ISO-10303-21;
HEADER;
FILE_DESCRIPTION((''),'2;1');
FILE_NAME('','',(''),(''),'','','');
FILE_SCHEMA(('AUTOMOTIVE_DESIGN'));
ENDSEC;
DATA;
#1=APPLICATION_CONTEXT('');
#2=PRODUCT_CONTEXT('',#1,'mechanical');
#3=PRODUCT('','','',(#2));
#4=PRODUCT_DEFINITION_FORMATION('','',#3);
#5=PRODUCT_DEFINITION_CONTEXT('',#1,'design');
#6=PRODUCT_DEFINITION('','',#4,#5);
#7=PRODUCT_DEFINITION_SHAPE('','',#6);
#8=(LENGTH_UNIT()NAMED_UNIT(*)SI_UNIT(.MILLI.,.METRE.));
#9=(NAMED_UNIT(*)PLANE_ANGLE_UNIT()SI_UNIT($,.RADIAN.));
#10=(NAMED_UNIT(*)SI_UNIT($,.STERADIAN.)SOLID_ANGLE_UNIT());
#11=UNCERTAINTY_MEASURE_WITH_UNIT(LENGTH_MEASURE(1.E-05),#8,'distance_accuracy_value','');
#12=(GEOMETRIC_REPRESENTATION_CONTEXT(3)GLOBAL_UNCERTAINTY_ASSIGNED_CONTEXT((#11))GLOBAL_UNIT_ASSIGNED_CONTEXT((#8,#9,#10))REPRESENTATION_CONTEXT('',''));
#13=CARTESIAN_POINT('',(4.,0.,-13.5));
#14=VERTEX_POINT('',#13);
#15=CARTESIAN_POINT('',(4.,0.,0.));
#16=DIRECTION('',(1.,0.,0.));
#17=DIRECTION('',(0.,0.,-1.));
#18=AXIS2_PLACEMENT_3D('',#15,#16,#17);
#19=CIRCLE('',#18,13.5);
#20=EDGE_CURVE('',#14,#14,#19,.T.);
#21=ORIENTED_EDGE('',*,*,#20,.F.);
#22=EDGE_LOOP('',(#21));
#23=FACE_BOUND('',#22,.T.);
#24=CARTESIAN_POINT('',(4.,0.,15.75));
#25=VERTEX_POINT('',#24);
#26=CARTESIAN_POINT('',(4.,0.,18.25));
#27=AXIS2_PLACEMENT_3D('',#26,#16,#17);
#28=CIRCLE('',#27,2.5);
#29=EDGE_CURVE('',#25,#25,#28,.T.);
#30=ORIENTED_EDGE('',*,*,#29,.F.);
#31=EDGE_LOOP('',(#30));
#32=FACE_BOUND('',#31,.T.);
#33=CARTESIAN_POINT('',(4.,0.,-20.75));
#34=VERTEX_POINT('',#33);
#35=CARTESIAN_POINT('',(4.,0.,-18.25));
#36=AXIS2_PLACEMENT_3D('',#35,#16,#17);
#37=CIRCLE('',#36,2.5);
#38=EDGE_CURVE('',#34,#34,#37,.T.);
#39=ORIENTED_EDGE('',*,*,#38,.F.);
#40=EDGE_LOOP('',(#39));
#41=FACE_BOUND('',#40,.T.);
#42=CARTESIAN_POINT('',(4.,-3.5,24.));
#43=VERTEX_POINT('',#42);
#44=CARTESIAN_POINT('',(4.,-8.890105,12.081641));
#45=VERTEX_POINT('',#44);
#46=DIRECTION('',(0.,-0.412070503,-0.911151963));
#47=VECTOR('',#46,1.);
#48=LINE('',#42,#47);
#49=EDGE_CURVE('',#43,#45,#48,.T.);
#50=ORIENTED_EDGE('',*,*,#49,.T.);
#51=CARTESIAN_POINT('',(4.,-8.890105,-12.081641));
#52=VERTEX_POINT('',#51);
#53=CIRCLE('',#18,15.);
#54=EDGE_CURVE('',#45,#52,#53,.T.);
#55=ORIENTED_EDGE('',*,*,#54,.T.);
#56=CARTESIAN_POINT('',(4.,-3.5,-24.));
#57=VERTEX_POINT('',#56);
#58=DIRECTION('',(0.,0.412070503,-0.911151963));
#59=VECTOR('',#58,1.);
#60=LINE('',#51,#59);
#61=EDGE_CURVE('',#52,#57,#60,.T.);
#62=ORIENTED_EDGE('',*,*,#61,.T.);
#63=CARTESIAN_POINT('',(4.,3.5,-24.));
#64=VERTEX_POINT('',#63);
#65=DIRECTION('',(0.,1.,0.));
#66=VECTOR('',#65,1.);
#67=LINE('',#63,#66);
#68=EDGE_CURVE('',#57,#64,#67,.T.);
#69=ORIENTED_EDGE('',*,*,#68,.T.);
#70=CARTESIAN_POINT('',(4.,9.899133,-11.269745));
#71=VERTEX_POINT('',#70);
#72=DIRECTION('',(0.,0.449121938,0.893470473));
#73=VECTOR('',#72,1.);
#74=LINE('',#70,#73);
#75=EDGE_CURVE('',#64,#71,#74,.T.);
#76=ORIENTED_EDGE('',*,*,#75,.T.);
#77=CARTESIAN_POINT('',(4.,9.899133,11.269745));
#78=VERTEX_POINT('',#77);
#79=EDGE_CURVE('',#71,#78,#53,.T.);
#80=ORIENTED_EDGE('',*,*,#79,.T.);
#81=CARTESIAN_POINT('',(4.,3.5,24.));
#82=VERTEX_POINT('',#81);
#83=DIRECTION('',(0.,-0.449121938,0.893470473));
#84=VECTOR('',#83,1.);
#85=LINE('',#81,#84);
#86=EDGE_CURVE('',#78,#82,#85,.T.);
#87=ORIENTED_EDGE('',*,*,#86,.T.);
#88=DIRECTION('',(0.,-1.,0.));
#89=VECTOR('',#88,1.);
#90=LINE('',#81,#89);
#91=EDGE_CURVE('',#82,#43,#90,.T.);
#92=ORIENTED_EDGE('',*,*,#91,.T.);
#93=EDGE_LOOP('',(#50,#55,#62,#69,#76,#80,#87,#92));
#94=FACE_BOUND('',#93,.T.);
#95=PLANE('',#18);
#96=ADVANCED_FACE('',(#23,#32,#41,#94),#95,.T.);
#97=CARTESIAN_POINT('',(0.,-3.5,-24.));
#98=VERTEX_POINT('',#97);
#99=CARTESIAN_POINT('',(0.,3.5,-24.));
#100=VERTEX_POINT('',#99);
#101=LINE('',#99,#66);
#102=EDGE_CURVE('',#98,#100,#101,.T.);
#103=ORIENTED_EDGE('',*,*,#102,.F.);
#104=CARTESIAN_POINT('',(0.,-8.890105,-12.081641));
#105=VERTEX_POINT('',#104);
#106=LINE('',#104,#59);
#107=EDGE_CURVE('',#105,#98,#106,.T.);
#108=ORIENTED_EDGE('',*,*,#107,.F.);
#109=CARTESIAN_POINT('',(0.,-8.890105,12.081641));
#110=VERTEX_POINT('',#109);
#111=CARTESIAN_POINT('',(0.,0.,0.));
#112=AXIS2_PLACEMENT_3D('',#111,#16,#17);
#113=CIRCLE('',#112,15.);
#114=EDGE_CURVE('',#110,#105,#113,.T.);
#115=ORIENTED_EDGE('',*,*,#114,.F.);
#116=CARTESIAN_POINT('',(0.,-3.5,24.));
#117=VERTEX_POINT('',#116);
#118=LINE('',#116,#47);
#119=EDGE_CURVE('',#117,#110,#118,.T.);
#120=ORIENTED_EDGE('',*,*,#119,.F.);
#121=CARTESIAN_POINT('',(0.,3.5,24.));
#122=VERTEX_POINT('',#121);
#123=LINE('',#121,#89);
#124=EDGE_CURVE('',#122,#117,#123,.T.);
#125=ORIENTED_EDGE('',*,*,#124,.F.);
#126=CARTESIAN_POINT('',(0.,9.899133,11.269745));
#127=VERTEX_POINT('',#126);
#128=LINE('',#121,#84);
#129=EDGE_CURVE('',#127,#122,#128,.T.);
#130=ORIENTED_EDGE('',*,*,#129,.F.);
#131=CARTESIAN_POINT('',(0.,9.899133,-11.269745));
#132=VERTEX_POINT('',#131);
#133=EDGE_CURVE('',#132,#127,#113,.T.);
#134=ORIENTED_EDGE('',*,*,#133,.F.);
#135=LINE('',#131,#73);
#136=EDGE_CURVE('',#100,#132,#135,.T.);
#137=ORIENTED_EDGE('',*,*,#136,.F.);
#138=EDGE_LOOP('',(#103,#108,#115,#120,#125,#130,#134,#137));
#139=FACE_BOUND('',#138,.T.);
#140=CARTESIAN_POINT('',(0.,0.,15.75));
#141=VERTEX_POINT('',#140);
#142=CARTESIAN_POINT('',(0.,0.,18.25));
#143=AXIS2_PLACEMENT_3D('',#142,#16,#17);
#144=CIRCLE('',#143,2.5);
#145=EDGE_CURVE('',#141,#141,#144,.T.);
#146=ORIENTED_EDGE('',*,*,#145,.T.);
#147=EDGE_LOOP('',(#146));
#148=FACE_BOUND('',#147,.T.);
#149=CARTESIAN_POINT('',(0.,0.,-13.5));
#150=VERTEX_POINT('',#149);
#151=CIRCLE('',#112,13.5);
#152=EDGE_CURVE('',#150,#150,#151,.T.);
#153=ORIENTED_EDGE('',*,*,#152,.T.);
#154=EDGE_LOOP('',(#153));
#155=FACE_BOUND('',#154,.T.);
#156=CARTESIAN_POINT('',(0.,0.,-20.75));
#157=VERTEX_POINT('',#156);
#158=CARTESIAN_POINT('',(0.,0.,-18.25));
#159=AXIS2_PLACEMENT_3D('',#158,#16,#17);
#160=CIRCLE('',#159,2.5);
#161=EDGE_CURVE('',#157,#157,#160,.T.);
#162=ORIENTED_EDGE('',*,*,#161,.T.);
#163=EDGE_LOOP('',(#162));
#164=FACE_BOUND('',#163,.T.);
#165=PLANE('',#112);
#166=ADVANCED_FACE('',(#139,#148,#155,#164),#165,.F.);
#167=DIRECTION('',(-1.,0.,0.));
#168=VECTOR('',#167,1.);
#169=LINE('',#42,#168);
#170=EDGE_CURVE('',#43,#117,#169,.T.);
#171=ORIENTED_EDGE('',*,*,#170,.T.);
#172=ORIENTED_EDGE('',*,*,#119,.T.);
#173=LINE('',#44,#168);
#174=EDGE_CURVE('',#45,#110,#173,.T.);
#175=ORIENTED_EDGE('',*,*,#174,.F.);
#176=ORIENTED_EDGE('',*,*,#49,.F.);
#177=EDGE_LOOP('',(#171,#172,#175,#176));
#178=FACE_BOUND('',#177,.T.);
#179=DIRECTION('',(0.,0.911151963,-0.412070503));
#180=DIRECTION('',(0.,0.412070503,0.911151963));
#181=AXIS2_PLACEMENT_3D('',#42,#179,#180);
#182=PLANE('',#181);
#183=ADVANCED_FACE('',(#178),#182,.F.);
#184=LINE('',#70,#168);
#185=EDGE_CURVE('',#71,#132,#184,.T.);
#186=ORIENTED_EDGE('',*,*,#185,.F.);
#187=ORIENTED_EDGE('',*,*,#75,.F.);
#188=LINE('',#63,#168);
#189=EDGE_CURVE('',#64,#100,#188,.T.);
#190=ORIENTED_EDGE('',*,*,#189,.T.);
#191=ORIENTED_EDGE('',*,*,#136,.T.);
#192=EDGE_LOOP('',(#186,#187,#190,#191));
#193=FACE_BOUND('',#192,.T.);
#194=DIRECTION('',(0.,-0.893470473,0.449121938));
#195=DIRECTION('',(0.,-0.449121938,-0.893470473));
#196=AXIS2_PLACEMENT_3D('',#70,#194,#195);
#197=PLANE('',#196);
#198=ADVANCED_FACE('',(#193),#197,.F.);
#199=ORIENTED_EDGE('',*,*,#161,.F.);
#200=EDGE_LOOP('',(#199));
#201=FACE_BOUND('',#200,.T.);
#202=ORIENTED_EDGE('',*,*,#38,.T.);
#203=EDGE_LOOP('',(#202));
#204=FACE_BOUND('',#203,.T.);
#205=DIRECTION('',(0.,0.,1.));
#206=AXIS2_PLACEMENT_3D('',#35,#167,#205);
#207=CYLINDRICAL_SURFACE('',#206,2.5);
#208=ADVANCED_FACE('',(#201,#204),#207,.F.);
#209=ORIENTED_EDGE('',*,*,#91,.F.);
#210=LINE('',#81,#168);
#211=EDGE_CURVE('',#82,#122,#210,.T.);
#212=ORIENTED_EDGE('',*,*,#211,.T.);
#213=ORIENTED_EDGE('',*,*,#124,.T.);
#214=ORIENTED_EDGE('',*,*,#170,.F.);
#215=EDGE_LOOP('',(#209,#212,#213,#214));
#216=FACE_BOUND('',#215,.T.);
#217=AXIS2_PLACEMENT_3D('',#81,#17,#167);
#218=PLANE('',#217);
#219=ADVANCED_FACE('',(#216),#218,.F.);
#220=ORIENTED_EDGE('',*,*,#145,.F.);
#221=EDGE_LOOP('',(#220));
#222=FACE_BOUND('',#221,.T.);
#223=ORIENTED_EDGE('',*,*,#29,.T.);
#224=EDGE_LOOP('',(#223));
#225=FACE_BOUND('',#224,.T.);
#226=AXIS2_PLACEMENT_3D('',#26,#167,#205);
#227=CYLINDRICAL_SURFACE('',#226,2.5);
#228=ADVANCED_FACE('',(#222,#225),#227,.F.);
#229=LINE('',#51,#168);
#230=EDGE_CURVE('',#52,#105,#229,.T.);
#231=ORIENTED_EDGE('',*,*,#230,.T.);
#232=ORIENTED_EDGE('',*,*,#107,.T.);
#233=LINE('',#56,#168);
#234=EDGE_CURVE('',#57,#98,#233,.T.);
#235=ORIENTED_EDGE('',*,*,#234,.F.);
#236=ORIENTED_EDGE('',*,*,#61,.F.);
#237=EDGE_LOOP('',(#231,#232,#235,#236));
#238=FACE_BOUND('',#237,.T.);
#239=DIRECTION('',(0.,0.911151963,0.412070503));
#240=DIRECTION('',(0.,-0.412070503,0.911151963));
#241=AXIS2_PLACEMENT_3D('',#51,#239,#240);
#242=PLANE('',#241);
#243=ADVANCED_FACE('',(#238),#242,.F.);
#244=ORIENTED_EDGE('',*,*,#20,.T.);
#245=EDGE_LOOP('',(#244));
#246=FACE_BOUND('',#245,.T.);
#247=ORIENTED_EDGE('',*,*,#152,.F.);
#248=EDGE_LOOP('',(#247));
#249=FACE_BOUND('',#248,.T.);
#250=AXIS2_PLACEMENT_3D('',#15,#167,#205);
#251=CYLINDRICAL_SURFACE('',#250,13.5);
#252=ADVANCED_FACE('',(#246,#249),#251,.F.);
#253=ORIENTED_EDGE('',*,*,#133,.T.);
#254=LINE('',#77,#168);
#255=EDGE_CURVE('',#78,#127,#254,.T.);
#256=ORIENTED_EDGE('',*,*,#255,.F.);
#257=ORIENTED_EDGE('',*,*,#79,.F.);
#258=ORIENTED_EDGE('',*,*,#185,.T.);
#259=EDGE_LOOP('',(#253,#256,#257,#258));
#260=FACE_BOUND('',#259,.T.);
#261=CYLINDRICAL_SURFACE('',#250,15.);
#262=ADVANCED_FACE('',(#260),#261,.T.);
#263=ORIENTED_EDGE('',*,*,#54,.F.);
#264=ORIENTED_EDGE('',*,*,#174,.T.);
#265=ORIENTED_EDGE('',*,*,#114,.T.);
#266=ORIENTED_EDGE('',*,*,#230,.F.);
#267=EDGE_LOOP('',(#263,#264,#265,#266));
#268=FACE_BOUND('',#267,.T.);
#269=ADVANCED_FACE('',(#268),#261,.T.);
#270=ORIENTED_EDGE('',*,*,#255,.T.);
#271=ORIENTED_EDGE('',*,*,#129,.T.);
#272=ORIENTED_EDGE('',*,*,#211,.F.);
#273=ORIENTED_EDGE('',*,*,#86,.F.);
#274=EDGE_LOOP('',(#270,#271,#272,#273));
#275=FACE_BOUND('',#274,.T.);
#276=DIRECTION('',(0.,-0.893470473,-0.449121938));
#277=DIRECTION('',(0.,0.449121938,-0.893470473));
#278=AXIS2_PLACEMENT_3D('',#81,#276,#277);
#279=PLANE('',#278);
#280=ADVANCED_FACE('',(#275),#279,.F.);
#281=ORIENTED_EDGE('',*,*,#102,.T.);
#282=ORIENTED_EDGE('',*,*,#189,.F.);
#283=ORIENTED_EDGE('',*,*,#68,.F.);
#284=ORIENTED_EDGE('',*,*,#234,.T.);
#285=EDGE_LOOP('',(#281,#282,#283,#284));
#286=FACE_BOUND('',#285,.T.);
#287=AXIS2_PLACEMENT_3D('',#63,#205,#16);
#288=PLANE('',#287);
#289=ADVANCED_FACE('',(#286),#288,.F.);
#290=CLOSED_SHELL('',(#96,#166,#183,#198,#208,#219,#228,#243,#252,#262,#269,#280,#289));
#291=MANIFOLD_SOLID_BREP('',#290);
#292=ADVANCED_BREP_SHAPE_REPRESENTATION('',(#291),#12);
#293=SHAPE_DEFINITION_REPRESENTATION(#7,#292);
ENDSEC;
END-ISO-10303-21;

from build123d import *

# Parameters (mm, degrees)
CROQUIS1_R              = 2.5
CROQUIS1_R_2            = 13.5
SALIENTE_EXTRUIR1_DEPTH = 4


with BuildPart() as part:
    # Croquis1 → Saliente-Extruir1 (new body)
    with BuildSketch(Plane(origin=(0, 0, 0), x_dir=(0, 0, -1), z_dir=(1, 0, 0))):
        with BuildLine():
            Line((-24, 3.5), (-24, -3.5))
            Line((-24, -3.5), (-12.081640676, -8.890104532))
            ThreePointArc((-12.081640676, -8.890104532), (0, -15), (12.081640676, -8.890104532))
            Line((12.081640676, -8.890104532), (24, -3.5))
            Line((24, -3.5), (24, 3.5))
            Line((24, 3.5), (11.269745357, 9.899133275))
            ThreePointArc((11.269745357, 9.899133275), (0, 15), (-11.269745357, 9.899133275))
            Line((-11.269745357, 9.899133275), (-24, 3.5))
        make_face()
        with Locations((-18.25, 0)):
            Circle(CROQUIS1_R, mode=Mode.SUBTRACT)
        with Locations((18.25, 0)):
            Circle(CROQUIS1_R, mode=Mode.SUBTRACT)
        Circle(CROQUIS1_R_2, mode=Mode.SUBTRACT)
    extrude(amount=SALIENTE_EXTRUIR1_DEPTH)


solid = part.part
